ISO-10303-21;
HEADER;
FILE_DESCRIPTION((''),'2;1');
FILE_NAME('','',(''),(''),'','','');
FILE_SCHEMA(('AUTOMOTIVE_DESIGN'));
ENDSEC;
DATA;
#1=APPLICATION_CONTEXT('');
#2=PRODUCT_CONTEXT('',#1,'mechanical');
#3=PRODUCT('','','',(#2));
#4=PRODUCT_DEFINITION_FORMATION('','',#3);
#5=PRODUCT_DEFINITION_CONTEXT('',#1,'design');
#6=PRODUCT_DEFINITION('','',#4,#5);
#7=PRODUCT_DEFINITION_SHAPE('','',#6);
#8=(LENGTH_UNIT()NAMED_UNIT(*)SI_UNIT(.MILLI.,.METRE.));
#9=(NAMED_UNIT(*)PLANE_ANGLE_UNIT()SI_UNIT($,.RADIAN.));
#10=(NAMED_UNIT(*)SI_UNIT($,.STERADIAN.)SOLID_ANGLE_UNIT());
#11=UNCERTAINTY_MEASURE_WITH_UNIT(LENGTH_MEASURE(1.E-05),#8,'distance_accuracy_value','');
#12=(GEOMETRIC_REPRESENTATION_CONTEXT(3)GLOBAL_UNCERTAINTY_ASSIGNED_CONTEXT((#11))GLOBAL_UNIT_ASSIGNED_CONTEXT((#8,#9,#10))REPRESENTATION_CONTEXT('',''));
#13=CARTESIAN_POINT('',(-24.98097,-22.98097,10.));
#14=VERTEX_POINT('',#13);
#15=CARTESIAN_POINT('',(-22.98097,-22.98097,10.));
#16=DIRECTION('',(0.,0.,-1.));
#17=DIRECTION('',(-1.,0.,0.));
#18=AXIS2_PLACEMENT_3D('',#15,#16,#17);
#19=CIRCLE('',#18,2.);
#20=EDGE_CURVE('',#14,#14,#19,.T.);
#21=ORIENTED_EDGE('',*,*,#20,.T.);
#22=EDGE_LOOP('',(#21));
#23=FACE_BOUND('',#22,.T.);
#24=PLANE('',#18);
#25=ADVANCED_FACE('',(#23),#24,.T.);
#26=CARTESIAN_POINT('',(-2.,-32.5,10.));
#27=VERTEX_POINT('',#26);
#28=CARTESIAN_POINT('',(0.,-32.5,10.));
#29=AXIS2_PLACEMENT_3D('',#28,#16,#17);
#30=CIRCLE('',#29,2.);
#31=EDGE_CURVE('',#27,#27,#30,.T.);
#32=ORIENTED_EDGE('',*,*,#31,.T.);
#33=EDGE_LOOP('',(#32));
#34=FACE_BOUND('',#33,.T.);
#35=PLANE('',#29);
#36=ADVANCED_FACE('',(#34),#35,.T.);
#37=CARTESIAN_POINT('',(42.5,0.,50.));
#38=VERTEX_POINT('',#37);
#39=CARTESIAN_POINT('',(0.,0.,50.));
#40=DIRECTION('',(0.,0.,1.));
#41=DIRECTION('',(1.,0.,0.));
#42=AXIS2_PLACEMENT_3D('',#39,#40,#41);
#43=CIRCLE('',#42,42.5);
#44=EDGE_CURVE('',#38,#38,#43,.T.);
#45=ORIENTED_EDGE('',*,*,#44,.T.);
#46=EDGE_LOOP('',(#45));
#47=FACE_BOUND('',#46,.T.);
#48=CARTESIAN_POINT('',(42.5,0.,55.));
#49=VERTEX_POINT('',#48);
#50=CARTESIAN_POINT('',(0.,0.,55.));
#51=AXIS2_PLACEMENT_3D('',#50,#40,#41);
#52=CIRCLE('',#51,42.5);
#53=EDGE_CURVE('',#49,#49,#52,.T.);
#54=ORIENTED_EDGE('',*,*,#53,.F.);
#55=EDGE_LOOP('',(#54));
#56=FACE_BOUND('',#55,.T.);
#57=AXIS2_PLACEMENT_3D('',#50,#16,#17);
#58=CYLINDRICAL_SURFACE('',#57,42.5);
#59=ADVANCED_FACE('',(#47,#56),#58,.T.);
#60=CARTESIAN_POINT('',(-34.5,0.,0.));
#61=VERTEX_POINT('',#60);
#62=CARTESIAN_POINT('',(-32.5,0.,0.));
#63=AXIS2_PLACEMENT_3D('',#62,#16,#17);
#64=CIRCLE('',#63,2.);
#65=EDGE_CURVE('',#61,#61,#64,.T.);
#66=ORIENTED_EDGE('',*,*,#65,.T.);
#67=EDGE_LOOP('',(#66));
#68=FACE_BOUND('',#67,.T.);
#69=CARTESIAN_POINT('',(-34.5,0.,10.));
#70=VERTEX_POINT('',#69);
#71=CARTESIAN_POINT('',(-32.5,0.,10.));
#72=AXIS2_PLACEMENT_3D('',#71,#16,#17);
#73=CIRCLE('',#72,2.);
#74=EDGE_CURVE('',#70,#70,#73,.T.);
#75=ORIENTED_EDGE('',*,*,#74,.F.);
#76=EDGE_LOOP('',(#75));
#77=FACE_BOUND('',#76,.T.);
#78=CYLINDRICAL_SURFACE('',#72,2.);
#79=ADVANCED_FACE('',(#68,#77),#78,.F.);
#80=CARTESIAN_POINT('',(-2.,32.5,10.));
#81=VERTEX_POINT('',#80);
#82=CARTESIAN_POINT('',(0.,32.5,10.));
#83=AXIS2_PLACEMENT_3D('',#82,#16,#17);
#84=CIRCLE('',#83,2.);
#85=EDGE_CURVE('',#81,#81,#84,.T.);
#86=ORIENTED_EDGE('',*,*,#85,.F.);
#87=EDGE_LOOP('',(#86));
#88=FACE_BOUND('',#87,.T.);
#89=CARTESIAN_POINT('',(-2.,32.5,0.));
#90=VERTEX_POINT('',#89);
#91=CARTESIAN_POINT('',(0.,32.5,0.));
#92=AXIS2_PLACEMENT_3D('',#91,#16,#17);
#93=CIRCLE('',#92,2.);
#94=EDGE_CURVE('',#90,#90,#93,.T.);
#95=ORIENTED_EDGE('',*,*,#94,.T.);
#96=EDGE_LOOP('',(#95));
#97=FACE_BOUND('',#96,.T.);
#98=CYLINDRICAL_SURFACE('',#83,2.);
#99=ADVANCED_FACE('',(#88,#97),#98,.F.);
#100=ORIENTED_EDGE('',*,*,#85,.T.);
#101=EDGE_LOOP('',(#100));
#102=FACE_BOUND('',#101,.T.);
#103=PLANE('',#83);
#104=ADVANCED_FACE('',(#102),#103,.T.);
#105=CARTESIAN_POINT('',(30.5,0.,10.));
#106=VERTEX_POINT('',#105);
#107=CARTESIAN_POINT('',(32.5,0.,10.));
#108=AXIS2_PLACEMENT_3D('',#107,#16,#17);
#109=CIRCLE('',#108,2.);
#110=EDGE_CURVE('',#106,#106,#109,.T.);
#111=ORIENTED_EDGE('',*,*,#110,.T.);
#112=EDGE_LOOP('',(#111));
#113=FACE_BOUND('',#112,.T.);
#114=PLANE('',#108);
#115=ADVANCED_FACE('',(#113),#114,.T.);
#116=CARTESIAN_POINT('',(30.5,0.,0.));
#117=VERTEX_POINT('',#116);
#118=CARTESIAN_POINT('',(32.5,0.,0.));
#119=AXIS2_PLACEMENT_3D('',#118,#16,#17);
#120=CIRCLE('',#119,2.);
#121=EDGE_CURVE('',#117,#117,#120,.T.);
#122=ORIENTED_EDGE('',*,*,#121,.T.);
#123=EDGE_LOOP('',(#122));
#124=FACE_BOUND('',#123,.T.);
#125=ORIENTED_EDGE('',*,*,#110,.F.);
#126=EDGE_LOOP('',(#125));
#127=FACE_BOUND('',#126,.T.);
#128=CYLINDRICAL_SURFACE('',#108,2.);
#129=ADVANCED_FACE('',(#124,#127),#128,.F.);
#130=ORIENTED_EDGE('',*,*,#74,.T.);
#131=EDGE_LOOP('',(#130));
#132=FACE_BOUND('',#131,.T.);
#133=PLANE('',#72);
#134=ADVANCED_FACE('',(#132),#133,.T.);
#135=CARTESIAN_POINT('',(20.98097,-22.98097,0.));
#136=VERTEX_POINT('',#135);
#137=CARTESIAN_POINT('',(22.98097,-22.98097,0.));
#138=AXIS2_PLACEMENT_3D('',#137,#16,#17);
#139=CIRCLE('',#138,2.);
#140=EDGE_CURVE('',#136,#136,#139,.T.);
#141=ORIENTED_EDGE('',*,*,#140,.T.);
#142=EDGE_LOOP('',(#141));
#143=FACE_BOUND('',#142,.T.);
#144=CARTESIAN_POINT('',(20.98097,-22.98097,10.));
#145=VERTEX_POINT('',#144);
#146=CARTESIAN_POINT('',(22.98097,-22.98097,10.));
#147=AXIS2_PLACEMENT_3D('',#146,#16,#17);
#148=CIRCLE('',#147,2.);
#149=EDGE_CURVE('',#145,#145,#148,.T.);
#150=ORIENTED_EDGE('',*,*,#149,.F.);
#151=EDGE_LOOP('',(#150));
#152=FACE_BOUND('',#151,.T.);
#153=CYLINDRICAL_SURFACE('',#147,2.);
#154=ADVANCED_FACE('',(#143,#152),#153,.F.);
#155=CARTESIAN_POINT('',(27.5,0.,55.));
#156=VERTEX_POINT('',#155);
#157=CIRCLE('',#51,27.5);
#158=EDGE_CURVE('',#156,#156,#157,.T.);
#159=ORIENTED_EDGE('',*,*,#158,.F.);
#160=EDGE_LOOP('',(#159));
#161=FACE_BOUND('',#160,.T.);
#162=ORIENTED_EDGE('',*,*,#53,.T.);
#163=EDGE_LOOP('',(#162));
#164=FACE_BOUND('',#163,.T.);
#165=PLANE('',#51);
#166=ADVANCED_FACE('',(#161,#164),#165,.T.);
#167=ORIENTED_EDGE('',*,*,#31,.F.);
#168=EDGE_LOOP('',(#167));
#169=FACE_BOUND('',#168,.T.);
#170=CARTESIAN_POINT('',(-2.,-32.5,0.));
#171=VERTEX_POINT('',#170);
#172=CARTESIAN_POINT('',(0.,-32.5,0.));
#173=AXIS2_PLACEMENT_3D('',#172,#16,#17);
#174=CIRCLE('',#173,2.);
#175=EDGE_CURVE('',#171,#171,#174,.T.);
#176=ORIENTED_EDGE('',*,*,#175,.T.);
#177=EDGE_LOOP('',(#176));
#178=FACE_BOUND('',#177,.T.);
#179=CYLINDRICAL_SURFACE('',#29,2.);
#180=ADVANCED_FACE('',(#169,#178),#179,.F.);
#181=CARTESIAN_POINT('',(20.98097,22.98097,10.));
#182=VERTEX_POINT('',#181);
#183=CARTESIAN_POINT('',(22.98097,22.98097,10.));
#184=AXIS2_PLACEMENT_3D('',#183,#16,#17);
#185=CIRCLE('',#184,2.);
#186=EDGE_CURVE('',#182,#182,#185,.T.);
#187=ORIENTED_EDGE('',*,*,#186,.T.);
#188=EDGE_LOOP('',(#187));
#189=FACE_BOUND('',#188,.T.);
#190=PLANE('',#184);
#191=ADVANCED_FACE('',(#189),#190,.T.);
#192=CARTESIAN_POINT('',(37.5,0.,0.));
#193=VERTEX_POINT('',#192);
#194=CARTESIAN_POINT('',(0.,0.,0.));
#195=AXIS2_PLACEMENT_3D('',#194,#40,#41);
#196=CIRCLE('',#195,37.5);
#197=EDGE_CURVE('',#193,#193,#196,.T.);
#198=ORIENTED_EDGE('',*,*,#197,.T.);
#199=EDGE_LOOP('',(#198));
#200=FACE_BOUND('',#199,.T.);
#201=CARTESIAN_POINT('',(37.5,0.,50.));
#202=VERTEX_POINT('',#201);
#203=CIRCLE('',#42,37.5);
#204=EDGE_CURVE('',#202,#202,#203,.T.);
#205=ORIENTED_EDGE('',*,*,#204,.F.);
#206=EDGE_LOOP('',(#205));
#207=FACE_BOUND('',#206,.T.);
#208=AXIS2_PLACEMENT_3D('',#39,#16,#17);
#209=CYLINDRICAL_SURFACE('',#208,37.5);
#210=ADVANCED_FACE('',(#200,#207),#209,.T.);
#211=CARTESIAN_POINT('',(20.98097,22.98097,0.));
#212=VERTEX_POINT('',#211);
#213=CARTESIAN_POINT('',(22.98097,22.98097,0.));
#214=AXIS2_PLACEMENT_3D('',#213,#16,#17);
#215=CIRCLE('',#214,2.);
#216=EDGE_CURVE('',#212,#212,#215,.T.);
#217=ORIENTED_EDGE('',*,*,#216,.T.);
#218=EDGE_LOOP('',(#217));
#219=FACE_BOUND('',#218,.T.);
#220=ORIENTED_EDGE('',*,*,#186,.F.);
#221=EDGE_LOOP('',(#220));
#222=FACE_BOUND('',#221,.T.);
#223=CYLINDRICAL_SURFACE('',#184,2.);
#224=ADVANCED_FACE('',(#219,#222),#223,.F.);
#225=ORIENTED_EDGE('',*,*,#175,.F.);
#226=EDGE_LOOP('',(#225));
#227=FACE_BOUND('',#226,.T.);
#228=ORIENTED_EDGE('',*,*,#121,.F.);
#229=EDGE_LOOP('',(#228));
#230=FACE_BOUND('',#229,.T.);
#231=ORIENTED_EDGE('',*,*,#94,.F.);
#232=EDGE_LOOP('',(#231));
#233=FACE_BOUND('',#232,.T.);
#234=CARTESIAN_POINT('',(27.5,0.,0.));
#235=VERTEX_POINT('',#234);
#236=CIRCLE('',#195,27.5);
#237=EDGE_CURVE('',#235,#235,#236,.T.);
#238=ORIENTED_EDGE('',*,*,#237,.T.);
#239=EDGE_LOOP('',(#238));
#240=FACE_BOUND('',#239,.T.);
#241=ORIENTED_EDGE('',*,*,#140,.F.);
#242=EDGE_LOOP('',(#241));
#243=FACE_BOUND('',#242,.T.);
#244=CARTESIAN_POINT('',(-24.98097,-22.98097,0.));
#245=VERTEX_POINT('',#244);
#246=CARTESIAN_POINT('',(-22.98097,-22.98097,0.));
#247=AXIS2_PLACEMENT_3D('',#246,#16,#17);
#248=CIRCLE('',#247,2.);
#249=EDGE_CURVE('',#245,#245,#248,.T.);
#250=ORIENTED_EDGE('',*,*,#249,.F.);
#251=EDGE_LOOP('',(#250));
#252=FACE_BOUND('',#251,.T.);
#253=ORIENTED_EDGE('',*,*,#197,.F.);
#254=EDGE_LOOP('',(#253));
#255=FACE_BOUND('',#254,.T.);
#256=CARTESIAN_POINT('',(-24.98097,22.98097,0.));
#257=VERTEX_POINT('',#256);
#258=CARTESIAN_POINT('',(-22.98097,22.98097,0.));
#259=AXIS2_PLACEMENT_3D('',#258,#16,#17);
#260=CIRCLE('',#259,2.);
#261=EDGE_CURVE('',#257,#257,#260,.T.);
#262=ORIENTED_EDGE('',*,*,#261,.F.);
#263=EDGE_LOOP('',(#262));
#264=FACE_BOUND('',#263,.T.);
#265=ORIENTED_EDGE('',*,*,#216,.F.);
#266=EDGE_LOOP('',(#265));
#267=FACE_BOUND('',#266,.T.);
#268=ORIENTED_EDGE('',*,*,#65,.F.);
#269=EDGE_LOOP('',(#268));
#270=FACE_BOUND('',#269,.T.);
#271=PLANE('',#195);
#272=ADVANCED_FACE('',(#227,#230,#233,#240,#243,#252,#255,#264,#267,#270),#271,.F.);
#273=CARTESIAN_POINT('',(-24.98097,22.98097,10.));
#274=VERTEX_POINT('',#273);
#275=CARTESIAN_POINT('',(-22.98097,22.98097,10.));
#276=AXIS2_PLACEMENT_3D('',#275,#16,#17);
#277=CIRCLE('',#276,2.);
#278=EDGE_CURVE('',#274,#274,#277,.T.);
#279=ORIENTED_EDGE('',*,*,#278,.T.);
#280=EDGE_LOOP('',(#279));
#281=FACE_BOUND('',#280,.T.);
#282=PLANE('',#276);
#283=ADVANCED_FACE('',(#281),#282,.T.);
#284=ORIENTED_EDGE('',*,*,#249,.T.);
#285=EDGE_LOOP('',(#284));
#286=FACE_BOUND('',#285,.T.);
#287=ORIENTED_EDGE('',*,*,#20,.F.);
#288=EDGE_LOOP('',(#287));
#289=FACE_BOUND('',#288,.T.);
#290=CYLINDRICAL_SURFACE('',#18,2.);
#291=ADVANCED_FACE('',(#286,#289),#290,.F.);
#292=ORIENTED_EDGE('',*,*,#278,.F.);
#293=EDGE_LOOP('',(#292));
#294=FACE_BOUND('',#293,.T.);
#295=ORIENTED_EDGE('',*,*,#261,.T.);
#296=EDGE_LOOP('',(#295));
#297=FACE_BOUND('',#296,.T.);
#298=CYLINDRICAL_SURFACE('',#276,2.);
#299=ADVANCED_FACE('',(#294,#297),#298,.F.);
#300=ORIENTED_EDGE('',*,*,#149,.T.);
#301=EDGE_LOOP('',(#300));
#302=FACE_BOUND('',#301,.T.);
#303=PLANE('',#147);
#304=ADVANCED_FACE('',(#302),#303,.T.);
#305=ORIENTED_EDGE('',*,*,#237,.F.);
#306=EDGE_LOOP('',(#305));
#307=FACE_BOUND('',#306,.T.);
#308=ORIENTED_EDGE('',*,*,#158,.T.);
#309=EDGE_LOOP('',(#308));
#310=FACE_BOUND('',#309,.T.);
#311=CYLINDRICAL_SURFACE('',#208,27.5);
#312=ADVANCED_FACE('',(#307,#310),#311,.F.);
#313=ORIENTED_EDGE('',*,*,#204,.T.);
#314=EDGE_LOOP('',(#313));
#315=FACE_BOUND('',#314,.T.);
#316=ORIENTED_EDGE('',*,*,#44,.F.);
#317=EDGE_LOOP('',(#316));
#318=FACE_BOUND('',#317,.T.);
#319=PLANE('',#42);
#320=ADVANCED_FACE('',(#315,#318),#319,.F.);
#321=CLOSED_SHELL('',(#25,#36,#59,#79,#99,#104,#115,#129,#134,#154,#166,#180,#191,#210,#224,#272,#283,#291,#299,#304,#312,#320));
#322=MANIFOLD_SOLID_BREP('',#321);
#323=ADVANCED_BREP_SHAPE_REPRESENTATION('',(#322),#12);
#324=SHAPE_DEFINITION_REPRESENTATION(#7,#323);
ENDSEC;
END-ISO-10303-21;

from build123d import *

# Parameters (mm, degrees)
SKETCH1_R           = 37.5
SKETCH1_R_2         = 27.5
BOSS_EXTRUDE1_DEPTH = 50
SKETCH2_R           = 42.5
SKETCH2_R_2         = 27.5
BOSS_EXTRUDE2_DEPTH = 5
SKETCH3_R           = 2
CUT_EXTRUDE1_DEPTH  = 10


with BuildPart() as part:
    # Sketch1 → Boss-Extrude1 (new body)
    with BuildSketch(Plane.XY):
        Circle(SKETCH1_R)
        Circle(SKETCH1_R_2, mode=Mode.SUBTRACT)
    extrude(amount=BOSS_EXTRUDE1_DEPTH)

    # Sketch2 → Boss-Extrude2 (add)
    with BuildSketch(Plane.XY.offset(50)):
        Circle(SKETCH2_R)
        Circle(SKETCH2_R_2, mode=Mode.SUBTRACT)
    extrude(amount=BOSS_EXTRUDE2_DEPTH)

    # Sketch3 → Cut-Extrude1 (cut)
    with BuildSketch(Plane(origin=(0, 0, 0), x_dir=(-1, 0, 0), z_dir=(0, 0, -1))):
        with Locations((0, 32.5)):
            Circle(SKETCH3_R)
        with Locations((22.980970389, 22.980970389)):
            Circle(SKETCH3_R)
        with Locations((32.5, 0)):
            Circle(SKETCH3_R)
        with Locations((22.980970389, -22.980970389)):
            Circle(SKETCH3_R)
        with Locations((0, -32.5)):
            Circle(SKETCH3_R)
        with Locations((-22.980970389, -22.980970389)):
            Circle(SKETCH3_R)
        with Locations((-32.5, 0)):
            Circle(SKETCH3_R)
        with Locations((-22.980970389, 22.980970389)):
            Circle(SKETCH3_R)
    extrude(amount=-CUT_EXTRUDE1_DEPTH, mode=Mode.SUBTRACT)


solid = part.part
